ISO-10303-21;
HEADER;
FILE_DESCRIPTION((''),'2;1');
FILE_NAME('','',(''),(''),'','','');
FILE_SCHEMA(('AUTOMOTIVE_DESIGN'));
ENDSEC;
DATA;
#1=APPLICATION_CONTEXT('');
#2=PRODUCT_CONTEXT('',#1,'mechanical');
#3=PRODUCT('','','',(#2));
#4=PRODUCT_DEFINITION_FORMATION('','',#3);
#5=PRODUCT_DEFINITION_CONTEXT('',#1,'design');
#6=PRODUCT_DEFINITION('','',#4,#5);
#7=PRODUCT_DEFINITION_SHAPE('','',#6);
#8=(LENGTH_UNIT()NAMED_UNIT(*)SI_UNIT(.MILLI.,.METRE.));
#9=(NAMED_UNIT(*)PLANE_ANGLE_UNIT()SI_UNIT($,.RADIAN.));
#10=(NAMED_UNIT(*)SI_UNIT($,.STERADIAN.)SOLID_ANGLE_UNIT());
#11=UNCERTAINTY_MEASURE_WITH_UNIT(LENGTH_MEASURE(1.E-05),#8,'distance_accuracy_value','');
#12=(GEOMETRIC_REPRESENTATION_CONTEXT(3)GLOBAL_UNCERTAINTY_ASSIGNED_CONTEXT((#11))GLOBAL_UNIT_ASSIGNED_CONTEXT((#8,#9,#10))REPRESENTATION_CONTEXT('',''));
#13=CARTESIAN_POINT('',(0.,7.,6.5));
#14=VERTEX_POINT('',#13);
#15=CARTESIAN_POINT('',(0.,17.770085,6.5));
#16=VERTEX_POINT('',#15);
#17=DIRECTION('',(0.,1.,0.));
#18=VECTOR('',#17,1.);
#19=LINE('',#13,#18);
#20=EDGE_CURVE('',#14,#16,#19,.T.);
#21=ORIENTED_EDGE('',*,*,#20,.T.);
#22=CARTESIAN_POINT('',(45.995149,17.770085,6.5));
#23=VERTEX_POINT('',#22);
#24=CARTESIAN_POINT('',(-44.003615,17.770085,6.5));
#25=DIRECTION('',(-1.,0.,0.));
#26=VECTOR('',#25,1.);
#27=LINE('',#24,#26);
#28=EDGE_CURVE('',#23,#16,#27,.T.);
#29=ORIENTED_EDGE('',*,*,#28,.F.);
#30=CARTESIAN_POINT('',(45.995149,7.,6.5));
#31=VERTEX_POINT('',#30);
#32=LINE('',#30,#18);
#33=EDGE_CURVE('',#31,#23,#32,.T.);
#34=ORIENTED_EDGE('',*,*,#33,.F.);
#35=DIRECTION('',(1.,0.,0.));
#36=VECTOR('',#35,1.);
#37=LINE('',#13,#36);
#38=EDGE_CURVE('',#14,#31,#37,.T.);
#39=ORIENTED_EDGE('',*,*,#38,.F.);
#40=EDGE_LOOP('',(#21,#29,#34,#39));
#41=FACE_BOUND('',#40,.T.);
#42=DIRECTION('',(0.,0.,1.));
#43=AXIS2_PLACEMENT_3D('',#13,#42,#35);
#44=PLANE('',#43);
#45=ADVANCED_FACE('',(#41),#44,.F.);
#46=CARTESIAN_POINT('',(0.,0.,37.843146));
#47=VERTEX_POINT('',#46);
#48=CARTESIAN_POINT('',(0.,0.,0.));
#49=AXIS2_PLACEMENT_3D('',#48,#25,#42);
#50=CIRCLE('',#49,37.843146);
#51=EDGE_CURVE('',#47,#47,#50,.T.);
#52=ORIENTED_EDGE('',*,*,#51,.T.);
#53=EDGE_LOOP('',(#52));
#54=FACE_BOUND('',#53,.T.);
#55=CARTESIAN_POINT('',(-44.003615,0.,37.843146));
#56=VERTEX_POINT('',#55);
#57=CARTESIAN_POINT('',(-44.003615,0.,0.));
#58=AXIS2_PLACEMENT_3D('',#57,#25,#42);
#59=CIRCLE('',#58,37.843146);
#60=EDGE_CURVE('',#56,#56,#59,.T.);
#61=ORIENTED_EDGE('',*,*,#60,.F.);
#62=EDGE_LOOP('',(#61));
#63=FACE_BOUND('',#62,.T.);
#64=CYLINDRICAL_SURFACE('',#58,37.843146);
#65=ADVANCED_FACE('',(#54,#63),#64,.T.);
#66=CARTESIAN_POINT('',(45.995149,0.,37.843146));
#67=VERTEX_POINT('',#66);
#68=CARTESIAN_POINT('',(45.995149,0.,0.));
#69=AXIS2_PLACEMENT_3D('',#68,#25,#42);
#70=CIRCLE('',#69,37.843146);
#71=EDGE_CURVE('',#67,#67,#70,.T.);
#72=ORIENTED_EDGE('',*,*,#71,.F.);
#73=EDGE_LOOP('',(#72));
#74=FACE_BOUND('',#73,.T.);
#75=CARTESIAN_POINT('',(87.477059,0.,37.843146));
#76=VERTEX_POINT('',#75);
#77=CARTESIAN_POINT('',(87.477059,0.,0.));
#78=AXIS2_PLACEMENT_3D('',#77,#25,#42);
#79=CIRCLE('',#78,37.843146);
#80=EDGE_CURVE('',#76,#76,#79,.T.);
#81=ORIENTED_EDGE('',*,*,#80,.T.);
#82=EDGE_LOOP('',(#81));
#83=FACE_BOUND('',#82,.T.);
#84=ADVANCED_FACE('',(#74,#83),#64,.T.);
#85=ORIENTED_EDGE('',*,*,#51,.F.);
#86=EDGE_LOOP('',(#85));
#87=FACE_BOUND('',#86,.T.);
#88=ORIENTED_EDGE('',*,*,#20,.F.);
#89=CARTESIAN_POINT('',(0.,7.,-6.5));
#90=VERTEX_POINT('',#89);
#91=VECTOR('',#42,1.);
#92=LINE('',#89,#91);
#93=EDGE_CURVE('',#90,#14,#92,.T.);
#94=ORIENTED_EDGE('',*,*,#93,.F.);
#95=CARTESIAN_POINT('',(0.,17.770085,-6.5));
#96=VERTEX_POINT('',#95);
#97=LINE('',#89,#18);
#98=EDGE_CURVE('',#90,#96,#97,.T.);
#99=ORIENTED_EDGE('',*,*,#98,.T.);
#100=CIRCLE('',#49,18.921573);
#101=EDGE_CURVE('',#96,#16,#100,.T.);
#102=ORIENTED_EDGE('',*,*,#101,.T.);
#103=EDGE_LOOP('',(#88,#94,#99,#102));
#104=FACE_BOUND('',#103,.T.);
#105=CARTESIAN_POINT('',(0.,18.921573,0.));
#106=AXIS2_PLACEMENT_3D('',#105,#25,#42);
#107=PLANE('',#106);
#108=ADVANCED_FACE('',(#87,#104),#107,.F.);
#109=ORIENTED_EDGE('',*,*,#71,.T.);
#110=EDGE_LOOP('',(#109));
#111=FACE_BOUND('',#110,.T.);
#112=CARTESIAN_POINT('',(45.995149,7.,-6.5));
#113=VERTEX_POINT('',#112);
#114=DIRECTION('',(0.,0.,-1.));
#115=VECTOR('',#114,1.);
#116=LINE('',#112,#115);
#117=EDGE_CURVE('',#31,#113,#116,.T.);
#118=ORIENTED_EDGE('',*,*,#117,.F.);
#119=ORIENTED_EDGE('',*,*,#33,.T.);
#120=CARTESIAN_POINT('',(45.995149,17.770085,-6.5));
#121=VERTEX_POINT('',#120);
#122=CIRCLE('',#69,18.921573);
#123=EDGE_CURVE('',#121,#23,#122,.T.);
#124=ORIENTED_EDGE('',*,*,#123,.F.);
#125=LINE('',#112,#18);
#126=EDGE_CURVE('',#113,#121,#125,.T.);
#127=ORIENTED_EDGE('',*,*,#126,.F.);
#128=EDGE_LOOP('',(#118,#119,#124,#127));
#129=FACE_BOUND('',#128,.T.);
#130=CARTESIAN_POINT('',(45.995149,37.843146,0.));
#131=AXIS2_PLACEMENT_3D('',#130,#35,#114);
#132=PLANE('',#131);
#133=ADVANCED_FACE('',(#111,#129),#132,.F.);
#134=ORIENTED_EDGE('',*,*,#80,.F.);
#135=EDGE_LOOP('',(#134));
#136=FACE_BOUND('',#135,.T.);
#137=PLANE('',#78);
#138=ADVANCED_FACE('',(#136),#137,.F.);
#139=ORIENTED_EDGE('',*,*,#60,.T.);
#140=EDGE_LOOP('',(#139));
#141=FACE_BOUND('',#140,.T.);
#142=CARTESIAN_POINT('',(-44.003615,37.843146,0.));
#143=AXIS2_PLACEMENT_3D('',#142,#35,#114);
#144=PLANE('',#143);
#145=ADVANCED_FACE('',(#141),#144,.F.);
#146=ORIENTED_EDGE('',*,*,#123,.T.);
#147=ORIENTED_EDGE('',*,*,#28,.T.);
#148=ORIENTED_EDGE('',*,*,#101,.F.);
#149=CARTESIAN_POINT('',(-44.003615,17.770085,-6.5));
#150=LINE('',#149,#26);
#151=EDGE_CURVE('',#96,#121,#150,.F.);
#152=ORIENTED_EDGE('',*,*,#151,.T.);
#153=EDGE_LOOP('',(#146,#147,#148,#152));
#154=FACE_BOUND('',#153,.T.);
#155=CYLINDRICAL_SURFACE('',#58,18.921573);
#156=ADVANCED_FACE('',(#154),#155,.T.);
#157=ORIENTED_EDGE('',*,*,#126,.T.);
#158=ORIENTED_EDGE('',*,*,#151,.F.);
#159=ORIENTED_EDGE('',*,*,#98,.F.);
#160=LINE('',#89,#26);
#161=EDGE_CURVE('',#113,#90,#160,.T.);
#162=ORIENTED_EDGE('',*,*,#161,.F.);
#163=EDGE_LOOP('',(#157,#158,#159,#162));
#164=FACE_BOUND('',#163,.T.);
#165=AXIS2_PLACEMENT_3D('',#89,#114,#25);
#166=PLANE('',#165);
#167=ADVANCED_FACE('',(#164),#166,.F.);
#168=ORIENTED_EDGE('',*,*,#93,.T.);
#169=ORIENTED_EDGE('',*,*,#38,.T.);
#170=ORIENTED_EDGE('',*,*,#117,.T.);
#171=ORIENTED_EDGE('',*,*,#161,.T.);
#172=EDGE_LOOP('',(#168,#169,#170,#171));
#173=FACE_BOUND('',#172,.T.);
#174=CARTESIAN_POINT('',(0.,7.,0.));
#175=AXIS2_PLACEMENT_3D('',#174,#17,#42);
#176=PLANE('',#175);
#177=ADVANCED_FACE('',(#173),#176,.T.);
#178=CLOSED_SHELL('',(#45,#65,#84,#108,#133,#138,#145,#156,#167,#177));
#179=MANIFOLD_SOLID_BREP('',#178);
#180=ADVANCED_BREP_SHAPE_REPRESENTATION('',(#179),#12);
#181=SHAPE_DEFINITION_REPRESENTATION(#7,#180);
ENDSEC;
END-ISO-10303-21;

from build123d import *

# Parameters (mm, degrees)
ENL_V_START             = 20
ESQUISSE2_W             = 45.995149175
ESQUISSE2_H             = 13
ENL_V_MAT_EXTRU_1_DEPTH = 13


with BuildPart() as part:
    # Esquisse1 → Révolution1 (revolve)
    with BuildSketch(Plane.XY, mode=Mode.PRIVATE) as r_volution1_sk:
        Polygon((-44.003614869, 0), (87.477059288, 0), (87.477059288, 37.843146067), (45.995149175, 37.843146067), (45.995149175, 18.921573034), (0, 18.921573034), (0, 37.843146067), (-44.003614869, 37.843146067), align=None)
    revolve(r_volution1_sk.sketch.rotate(Axis((-44.003614869, 0, 0), (1, 0, 0)), 90), axis=Axis((-44.003614869, 0, 0), (1, 0, 0)))

    # Esquisse2 → Enlèv. mat.-Extru.1 (cut)
    with BuildSketch(Plane(origin=(0, 0, 0), x_dir=(1, 0, 0), z_dir=(0, 1, 0)).offset(ENL_V_START)):
        with Locations((22.997574588, 0)):
            Rectangle(ESQUISSE2_W, ESQUISSE2_H)
    extrude(amount=-ENL_V_MAT_EXTRU_1_DEPTH, mode=Mode.SUBTRACT)


solid = part.part
